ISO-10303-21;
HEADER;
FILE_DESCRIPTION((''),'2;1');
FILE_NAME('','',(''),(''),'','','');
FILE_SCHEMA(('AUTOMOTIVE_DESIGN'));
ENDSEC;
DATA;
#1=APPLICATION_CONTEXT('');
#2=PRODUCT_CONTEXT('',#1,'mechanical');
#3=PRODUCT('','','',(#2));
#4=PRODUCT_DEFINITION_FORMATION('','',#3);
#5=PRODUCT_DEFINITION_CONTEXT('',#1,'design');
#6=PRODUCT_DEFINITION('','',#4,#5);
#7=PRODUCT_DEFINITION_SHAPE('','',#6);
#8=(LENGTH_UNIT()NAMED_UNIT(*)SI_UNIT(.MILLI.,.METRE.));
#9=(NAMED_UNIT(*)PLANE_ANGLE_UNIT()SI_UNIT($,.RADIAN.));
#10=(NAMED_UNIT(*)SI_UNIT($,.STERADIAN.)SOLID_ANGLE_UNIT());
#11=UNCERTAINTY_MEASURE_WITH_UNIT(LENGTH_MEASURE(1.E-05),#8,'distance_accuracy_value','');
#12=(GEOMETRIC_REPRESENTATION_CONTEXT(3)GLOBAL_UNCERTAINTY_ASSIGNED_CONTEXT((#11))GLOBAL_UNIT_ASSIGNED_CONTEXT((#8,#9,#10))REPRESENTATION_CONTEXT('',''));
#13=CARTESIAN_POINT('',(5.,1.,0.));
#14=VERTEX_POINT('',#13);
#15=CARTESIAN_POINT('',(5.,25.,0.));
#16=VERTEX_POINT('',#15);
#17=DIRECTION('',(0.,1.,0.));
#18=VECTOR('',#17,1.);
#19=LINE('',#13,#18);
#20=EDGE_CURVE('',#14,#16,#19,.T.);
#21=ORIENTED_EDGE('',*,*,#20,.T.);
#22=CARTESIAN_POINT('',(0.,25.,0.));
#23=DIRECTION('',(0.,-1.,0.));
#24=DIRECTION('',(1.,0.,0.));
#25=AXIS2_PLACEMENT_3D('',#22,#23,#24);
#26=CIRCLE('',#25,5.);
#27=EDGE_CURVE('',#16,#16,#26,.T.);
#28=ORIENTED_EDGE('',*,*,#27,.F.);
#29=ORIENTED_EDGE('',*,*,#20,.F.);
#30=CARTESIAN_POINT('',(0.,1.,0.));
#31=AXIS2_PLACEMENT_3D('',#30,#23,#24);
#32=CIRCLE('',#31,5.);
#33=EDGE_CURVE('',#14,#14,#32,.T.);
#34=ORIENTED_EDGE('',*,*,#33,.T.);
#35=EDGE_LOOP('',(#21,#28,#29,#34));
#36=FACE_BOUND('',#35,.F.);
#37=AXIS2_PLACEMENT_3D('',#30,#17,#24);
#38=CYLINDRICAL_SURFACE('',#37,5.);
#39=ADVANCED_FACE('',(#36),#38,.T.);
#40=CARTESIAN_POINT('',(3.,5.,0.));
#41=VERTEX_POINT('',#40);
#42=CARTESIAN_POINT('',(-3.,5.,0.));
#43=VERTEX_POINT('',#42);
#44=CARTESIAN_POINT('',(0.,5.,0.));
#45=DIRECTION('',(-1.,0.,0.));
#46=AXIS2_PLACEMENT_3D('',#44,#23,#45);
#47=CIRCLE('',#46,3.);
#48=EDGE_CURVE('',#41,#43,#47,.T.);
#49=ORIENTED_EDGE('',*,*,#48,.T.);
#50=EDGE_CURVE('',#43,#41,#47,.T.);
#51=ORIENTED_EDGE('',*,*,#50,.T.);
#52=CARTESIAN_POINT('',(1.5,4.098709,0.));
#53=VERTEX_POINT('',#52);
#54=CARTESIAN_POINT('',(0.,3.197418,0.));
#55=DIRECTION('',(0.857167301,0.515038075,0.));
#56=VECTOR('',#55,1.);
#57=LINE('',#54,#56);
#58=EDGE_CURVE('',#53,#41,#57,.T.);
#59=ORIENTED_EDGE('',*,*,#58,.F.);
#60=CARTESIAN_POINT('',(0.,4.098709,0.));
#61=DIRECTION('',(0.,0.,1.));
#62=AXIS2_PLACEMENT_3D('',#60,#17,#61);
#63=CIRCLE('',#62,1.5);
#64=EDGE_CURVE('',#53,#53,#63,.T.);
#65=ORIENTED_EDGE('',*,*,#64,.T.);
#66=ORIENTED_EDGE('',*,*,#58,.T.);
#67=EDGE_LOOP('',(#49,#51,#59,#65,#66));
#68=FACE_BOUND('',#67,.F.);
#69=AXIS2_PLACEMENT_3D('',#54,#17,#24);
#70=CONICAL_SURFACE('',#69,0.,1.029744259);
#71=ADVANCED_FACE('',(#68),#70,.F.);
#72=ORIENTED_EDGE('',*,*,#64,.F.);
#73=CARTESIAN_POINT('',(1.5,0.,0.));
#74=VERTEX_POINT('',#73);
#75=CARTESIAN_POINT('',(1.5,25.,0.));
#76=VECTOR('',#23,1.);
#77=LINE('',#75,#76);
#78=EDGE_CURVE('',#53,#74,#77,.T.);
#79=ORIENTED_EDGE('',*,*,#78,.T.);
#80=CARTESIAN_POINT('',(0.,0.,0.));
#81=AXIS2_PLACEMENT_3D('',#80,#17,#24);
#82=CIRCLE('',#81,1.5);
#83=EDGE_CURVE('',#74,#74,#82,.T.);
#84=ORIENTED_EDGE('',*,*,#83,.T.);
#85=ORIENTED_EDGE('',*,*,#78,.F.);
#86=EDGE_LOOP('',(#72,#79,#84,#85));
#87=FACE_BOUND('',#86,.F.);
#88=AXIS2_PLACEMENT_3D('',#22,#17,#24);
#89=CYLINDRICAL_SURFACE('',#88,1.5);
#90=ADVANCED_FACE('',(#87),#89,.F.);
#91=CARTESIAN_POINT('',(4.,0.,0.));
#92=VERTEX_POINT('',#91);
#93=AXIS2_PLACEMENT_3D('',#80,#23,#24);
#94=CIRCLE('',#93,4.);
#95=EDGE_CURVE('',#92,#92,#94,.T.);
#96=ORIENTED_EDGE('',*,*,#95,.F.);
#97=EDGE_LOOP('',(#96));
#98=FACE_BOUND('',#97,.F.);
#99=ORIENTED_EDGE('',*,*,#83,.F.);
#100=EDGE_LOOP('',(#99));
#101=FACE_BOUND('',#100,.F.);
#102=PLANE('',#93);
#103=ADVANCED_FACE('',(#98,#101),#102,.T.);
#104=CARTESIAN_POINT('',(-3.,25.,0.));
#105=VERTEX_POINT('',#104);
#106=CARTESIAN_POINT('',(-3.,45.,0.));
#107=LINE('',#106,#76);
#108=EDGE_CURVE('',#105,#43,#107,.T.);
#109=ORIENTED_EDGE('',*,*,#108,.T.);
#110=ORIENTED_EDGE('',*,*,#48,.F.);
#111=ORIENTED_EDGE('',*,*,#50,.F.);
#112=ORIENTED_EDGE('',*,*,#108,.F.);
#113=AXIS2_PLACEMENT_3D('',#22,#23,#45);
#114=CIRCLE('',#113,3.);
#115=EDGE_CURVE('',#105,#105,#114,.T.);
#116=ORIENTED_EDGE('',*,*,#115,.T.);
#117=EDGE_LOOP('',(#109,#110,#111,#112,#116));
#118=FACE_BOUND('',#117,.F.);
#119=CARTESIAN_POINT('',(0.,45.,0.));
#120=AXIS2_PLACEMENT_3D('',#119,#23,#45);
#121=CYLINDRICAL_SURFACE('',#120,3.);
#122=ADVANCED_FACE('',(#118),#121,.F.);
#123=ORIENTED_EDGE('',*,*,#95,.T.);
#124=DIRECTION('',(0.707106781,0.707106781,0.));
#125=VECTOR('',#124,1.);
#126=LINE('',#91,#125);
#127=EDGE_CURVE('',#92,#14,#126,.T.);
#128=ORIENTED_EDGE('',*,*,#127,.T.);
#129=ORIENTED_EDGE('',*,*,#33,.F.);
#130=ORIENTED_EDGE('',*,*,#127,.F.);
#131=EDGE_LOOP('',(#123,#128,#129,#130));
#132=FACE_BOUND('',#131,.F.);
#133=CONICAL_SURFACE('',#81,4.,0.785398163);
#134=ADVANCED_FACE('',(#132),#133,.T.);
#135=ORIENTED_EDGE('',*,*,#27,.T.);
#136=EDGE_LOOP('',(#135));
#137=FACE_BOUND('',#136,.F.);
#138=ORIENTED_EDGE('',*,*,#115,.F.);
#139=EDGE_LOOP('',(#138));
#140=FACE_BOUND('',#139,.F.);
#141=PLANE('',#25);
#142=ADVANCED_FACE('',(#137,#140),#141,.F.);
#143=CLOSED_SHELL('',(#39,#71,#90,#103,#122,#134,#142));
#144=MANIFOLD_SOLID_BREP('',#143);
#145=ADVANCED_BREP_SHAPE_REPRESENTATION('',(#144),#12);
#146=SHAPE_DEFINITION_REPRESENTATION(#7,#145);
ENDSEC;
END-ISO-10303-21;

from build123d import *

# Parameters (mm, degrees)
F_6_0_6_DIAMETER_HOLE1_D     = 6
F_6_0_6_DIAMETER_HOLE1_DEPTH = 20
F_6_0_6_DIAMETER_HOLE1_TIP   = 1.802581857
SKETCH16_R                   = 1.5
CUT_EXTRUDE5_DEPTH           = 26


with BuildPart() as part:
    # Sketch3 → Revolve1 (revolve)
    with BuildSketch(Plane.XY):
        Polygon((0, 0), (4, 0), (5, 1), (5, 25), (0, 25), align=None)
    revolve(axis=Axis((0, 31.444228921, 0), (0, -1, 0)))

    # Ø6.0 (6) Diameter Hole1
    with Locations(Plane(origin=(0, 25, 0), x_dir=(1, 0, 0), z_dir=(0, 1, 0))):
        with Locations((0, 0)):
            Hole(F_6_0_6_DIAMETER_HOLE1_D / 2, depth=F_6_0_6_DIAMETER_HOLE1_DEPTH)
            with Locations((0, 0, -(F_6_0_6_DIAMETER_HOLE1_DEPTH + F_6_0_6_DIAMETER_HOLE1_TIP / 2))):  # 118° drill point
                Cone(0, F_6_0_6_DIAMETER_HOLE1_D / 2, F_6_0_6_DIAMETER_HOLE1_TIP, mode=Mode.SUBTRACT)

    # Sketch16 → Cut-Extrude5 (cut, through all)
    with BuildSketch(Plane(origin=(0, 25, 0), x_dir=(1, 0, 0), z_dir=(0, 1, 0))):
        Circle(SKETCH16_R)
    extrude(amount=-CUT_EXTRUDE5_DEPTH, mode=Mode.SUBTRACT)


solid = part.part
